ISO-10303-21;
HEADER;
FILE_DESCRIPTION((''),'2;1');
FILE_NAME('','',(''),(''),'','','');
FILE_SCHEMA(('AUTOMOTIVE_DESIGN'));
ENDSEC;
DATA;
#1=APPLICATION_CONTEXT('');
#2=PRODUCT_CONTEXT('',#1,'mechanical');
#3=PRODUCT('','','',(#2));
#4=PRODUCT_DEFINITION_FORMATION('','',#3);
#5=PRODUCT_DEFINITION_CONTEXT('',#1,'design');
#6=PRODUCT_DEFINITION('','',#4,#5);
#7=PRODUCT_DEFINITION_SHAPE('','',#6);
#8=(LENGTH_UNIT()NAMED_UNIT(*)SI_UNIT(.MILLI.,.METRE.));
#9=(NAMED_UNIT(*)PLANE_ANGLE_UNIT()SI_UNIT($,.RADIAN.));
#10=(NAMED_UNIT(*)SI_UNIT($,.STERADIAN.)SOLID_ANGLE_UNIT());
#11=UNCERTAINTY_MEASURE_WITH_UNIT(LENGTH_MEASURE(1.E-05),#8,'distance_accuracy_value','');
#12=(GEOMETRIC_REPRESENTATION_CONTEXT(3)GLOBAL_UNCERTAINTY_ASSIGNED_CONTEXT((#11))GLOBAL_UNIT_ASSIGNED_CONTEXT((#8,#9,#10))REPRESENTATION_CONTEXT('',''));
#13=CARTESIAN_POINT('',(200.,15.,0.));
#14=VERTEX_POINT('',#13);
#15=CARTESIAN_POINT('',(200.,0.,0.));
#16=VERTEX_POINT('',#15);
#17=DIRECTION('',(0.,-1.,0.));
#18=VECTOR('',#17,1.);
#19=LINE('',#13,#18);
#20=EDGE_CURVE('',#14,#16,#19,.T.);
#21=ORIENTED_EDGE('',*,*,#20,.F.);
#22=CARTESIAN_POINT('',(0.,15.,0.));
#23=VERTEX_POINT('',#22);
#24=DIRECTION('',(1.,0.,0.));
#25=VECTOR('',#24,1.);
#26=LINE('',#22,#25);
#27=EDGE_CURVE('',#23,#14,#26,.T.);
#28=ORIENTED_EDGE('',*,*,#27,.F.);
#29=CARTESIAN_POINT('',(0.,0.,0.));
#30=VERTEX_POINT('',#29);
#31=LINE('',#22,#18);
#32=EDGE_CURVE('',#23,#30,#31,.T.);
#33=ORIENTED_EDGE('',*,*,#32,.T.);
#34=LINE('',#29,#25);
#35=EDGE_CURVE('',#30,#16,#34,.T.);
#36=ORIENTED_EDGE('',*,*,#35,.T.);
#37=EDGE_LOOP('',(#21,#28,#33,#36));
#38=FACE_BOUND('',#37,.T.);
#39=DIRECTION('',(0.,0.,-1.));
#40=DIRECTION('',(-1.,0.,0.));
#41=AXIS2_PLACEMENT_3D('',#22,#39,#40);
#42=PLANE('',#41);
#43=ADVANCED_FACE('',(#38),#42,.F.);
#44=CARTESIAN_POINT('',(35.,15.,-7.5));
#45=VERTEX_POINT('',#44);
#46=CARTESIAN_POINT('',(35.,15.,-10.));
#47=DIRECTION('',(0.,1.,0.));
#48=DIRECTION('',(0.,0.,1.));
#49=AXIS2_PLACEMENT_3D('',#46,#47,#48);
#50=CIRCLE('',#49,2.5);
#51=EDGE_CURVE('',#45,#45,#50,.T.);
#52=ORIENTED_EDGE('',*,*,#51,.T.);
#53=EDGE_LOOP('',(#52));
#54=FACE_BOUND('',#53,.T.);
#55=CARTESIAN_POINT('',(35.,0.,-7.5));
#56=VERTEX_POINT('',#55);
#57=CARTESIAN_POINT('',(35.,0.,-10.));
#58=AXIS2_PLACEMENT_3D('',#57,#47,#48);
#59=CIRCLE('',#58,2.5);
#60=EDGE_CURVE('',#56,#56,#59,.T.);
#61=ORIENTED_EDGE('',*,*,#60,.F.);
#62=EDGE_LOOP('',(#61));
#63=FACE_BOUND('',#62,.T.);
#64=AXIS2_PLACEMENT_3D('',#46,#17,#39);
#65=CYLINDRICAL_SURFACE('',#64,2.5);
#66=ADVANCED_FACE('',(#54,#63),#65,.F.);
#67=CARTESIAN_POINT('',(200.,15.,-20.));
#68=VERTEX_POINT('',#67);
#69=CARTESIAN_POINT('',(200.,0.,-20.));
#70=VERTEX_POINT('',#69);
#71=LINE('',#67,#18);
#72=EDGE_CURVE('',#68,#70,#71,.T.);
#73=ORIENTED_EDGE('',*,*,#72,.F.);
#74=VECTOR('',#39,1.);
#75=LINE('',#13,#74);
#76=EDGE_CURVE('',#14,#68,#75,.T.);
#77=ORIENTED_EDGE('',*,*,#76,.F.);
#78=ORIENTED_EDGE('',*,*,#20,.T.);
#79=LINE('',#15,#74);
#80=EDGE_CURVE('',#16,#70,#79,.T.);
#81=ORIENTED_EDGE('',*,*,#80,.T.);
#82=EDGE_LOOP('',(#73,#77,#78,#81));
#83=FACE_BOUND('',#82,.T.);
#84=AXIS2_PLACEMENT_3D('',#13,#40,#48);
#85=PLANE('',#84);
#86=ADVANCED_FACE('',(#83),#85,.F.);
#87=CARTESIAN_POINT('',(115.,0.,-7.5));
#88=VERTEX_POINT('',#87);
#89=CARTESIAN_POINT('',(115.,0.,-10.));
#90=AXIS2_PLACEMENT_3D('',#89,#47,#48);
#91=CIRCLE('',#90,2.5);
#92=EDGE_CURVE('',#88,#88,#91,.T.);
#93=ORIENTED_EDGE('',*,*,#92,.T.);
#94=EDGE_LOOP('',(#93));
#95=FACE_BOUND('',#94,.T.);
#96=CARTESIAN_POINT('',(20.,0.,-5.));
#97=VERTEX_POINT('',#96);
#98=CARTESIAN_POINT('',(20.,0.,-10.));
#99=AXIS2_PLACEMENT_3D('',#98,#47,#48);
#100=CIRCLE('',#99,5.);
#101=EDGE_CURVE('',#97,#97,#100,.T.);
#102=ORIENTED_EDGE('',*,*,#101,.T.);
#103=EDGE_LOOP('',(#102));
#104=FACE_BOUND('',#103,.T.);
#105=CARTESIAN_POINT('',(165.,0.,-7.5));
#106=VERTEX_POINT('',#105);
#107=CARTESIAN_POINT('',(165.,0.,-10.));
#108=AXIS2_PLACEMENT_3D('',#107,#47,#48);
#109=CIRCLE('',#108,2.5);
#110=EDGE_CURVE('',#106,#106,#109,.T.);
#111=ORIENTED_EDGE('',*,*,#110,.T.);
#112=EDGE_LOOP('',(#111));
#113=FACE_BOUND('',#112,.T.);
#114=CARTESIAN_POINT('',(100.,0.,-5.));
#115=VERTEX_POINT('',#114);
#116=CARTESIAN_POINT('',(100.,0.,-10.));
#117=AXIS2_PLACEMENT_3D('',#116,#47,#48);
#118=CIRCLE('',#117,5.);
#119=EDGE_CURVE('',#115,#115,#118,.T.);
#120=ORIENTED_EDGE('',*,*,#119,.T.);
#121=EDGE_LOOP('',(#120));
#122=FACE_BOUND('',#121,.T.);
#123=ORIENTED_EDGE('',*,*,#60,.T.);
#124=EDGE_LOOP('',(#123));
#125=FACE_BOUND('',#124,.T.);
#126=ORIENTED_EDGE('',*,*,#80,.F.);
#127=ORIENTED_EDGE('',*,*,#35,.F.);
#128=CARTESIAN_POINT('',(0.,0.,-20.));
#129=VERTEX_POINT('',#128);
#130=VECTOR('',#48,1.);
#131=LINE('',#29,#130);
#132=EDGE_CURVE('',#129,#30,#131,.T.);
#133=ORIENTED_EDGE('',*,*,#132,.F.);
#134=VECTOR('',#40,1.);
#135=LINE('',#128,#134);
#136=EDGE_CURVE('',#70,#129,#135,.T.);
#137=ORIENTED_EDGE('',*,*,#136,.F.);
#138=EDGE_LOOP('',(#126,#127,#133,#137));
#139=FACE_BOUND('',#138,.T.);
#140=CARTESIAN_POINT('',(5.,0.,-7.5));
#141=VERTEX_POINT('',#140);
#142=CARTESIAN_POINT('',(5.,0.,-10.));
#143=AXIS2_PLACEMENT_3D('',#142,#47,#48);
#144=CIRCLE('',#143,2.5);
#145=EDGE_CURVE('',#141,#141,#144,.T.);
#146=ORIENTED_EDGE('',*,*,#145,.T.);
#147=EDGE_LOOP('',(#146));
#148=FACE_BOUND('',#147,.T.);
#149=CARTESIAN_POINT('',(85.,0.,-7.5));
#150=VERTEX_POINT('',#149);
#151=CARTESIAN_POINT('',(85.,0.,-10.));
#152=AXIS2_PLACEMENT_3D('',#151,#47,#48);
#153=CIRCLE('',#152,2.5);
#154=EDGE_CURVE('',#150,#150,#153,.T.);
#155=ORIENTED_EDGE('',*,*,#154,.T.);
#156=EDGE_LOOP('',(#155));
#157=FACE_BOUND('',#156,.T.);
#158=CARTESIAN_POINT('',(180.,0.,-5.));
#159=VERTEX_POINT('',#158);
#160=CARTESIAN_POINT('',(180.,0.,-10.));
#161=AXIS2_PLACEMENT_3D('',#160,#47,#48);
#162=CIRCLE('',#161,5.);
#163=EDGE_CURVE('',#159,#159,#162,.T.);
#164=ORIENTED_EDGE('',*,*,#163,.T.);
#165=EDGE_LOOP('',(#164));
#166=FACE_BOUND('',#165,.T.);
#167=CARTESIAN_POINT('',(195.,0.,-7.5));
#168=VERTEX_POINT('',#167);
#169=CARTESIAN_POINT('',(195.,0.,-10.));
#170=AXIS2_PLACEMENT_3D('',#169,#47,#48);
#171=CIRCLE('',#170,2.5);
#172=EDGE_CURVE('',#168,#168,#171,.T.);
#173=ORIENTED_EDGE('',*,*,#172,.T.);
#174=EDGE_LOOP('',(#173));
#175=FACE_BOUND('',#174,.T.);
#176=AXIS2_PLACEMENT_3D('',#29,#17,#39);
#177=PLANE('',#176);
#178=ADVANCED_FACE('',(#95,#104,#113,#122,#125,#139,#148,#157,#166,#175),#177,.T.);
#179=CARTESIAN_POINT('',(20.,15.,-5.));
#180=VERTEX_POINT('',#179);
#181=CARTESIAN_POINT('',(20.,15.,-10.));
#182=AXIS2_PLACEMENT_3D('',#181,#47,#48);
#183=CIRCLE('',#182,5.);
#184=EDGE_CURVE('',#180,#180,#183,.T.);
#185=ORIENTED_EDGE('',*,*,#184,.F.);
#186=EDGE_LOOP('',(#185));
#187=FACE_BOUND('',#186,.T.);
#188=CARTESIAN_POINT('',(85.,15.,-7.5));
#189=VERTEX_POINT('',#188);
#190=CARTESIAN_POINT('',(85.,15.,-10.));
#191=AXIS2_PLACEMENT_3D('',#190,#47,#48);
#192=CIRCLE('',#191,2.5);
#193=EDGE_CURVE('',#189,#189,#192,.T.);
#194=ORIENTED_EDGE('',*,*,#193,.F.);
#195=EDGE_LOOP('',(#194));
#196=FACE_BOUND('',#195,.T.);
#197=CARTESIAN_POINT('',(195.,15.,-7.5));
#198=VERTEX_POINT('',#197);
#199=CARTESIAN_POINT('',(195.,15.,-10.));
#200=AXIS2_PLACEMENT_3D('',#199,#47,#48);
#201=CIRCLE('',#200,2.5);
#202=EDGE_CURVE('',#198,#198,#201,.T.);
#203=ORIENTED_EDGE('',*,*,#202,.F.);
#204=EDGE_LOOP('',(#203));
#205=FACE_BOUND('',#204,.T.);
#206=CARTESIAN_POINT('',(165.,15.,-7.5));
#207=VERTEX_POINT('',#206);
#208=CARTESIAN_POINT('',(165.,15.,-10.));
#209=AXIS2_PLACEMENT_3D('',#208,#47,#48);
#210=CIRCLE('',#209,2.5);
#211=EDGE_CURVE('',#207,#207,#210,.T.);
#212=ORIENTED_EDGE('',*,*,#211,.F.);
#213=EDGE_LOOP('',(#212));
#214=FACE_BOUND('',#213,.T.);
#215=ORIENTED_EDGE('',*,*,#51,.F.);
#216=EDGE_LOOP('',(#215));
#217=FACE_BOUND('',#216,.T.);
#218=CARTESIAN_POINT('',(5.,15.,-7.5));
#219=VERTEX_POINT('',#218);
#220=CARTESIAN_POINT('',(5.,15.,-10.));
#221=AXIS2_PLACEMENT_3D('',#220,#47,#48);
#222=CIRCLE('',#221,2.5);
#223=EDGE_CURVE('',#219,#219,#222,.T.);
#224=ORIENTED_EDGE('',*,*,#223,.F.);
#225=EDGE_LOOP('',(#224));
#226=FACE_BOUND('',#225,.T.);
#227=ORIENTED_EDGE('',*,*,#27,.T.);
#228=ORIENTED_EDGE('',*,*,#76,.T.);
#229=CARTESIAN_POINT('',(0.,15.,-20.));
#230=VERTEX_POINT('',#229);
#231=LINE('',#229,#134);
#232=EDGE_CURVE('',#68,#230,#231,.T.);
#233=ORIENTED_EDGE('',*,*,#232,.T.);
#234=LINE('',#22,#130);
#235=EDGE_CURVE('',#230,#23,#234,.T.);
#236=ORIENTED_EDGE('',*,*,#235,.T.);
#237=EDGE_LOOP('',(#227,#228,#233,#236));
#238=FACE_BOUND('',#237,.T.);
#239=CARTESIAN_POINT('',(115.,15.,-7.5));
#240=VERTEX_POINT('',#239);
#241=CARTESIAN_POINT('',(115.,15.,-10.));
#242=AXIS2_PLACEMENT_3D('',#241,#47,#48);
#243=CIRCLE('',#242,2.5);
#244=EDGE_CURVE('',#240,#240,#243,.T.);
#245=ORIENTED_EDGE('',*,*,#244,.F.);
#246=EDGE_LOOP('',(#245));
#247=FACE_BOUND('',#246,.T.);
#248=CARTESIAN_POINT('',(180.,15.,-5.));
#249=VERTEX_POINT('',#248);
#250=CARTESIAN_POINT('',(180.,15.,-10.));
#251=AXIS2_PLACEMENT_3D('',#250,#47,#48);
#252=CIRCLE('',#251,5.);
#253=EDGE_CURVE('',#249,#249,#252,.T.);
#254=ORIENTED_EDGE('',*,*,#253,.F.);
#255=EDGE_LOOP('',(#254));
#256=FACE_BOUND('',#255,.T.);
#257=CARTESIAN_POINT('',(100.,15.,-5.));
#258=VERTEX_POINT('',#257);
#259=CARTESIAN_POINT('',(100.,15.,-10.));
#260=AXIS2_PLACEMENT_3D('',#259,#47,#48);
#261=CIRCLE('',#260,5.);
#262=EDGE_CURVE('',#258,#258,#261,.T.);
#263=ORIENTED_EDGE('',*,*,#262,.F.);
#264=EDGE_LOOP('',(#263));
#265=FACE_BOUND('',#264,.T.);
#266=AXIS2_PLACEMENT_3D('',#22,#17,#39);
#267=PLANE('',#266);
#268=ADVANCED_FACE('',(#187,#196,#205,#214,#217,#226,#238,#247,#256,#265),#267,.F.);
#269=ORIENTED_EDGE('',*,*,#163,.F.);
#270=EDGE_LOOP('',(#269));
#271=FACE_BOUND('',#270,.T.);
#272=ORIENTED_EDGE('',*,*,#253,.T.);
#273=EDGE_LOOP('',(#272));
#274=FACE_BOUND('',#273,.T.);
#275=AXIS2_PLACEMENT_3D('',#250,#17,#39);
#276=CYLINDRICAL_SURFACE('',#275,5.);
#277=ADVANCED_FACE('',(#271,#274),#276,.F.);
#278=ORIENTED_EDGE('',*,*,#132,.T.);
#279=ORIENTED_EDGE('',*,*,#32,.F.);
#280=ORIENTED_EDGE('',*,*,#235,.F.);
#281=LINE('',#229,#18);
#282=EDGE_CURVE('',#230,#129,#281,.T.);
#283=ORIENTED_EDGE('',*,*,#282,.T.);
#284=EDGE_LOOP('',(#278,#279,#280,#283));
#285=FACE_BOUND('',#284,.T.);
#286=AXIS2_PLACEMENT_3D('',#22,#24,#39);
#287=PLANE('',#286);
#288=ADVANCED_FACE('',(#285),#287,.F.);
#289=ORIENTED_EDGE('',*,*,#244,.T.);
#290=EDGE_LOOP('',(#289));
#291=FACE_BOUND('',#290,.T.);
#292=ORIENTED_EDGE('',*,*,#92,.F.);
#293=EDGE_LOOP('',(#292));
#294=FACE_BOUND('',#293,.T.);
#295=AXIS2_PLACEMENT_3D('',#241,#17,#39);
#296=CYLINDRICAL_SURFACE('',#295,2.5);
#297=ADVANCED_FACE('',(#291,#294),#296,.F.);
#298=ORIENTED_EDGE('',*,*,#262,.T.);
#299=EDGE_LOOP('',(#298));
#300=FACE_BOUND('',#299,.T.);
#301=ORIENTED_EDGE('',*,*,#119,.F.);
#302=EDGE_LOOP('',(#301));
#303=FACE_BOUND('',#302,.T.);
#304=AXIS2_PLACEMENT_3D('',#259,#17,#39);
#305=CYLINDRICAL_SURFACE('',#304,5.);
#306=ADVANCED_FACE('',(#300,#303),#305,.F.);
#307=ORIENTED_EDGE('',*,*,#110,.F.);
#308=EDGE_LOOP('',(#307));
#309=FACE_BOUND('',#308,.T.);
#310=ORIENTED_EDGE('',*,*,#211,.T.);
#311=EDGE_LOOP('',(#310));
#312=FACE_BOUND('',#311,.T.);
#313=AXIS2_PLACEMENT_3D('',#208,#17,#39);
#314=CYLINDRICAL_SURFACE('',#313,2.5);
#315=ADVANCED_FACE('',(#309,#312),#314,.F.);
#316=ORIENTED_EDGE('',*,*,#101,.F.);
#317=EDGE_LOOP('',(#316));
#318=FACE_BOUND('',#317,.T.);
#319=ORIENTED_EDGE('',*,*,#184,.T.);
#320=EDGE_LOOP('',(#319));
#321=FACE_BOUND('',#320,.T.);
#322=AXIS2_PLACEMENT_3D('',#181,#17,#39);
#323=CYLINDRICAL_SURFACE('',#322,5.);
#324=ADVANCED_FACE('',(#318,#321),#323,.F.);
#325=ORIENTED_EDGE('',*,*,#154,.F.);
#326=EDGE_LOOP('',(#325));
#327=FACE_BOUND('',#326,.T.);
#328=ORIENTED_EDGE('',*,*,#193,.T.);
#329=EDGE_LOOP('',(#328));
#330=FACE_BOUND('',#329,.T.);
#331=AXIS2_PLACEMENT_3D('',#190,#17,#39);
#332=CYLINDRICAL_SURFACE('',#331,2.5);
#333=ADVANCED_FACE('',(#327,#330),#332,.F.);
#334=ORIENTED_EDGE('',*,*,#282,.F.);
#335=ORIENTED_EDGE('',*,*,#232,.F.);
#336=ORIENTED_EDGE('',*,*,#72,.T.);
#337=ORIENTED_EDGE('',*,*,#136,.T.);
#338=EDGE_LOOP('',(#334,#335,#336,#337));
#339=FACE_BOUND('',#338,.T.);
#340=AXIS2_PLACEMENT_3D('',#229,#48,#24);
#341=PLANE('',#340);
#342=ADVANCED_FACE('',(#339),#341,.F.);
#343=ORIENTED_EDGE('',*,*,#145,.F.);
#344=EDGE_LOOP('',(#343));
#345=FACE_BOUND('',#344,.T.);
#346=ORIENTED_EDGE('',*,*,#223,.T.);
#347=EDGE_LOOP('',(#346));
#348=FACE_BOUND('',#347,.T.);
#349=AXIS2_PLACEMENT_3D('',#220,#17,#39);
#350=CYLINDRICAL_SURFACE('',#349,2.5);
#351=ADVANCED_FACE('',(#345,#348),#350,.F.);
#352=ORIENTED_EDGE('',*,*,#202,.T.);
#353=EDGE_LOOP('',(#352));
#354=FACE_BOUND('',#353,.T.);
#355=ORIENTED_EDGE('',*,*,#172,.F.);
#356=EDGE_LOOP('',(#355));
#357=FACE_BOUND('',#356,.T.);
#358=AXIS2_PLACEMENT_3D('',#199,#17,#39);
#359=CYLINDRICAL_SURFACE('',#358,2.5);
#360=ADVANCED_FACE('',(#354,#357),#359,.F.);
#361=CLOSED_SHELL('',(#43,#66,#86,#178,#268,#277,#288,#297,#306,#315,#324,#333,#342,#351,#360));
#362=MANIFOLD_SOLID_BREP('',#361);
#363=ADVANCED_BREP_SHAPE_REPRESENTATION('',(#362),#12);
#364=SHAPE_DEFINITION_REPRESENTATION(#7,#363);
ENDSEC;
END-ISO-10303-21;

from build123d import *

# Parameters (mm, degrees)
SKETCH1_W           = 200
SKETCH1_H           = 20
SKETCH1_R           = 5
SKETCH1_R_2         = 2.5
BOSS_EXTRUDE1_DEPTH = 15


with BuildPart() as part:
    # Sketch1 → Boss-Extrude1 (new body)
    with BuildSketch(Plane(origin=(0, 0, 0), x_dir=(1, 0, 0), z_dir=(0, 1, 0))):
        with Locations((100, 10)):
            Rectangle(SKETCH1_W, SKETCH1_H)
        with Locations(Location((20, 10, 0), (0, 0, 270))):
            Circle(SKETCH1_R, mode=Mode.SUBTRACT)
        with Locations(Location((35, 10, 0), (0, 0, 270))):
            Circle(SKETCH1_R_2, mode=Mode.SUBTRACT)
        with Locations(Location((5, 10, 0), (0, 0, 270))):
            Circle(SKETCH1_R_2, mode=Mode.SUBTRACT)
        with Locations(Location((180, 10, 0), (0, 0, 270))):
            Circle(SKETCH1_R, mode=Mode.SUBTRACT)
        with Locations(Location((195, 10, 0), (0, 0, 270))):
            Circle(SKETCH1_R_2, mode=Mode.SUBTRACT)
        with Locations(Location((165, 10, 0), (0, 0, 270))):
            Circle(SKETCH1_R_2, mode=Mode.SUBTRACT)
        with Locations(Location((100, 10, 0), (0, 0, 270))):
            Circle(SKETCH1_R, mode=Mode.SUBTRACT)
        with Locations(Location((115, 10, 0), (0, 0, 270))):
            Circle(SKETCH1_R_2, mode=Mode.SUBTRACT)
        with Locations(Location((85, 10, 0), (0, 0, 270))):
            Circle(SKETCH1_R_2, mode=Mode.SUBTRACT)
    extrude(amount=BOSS_EXTRUDE1_DEPTH)


solid = part.part
